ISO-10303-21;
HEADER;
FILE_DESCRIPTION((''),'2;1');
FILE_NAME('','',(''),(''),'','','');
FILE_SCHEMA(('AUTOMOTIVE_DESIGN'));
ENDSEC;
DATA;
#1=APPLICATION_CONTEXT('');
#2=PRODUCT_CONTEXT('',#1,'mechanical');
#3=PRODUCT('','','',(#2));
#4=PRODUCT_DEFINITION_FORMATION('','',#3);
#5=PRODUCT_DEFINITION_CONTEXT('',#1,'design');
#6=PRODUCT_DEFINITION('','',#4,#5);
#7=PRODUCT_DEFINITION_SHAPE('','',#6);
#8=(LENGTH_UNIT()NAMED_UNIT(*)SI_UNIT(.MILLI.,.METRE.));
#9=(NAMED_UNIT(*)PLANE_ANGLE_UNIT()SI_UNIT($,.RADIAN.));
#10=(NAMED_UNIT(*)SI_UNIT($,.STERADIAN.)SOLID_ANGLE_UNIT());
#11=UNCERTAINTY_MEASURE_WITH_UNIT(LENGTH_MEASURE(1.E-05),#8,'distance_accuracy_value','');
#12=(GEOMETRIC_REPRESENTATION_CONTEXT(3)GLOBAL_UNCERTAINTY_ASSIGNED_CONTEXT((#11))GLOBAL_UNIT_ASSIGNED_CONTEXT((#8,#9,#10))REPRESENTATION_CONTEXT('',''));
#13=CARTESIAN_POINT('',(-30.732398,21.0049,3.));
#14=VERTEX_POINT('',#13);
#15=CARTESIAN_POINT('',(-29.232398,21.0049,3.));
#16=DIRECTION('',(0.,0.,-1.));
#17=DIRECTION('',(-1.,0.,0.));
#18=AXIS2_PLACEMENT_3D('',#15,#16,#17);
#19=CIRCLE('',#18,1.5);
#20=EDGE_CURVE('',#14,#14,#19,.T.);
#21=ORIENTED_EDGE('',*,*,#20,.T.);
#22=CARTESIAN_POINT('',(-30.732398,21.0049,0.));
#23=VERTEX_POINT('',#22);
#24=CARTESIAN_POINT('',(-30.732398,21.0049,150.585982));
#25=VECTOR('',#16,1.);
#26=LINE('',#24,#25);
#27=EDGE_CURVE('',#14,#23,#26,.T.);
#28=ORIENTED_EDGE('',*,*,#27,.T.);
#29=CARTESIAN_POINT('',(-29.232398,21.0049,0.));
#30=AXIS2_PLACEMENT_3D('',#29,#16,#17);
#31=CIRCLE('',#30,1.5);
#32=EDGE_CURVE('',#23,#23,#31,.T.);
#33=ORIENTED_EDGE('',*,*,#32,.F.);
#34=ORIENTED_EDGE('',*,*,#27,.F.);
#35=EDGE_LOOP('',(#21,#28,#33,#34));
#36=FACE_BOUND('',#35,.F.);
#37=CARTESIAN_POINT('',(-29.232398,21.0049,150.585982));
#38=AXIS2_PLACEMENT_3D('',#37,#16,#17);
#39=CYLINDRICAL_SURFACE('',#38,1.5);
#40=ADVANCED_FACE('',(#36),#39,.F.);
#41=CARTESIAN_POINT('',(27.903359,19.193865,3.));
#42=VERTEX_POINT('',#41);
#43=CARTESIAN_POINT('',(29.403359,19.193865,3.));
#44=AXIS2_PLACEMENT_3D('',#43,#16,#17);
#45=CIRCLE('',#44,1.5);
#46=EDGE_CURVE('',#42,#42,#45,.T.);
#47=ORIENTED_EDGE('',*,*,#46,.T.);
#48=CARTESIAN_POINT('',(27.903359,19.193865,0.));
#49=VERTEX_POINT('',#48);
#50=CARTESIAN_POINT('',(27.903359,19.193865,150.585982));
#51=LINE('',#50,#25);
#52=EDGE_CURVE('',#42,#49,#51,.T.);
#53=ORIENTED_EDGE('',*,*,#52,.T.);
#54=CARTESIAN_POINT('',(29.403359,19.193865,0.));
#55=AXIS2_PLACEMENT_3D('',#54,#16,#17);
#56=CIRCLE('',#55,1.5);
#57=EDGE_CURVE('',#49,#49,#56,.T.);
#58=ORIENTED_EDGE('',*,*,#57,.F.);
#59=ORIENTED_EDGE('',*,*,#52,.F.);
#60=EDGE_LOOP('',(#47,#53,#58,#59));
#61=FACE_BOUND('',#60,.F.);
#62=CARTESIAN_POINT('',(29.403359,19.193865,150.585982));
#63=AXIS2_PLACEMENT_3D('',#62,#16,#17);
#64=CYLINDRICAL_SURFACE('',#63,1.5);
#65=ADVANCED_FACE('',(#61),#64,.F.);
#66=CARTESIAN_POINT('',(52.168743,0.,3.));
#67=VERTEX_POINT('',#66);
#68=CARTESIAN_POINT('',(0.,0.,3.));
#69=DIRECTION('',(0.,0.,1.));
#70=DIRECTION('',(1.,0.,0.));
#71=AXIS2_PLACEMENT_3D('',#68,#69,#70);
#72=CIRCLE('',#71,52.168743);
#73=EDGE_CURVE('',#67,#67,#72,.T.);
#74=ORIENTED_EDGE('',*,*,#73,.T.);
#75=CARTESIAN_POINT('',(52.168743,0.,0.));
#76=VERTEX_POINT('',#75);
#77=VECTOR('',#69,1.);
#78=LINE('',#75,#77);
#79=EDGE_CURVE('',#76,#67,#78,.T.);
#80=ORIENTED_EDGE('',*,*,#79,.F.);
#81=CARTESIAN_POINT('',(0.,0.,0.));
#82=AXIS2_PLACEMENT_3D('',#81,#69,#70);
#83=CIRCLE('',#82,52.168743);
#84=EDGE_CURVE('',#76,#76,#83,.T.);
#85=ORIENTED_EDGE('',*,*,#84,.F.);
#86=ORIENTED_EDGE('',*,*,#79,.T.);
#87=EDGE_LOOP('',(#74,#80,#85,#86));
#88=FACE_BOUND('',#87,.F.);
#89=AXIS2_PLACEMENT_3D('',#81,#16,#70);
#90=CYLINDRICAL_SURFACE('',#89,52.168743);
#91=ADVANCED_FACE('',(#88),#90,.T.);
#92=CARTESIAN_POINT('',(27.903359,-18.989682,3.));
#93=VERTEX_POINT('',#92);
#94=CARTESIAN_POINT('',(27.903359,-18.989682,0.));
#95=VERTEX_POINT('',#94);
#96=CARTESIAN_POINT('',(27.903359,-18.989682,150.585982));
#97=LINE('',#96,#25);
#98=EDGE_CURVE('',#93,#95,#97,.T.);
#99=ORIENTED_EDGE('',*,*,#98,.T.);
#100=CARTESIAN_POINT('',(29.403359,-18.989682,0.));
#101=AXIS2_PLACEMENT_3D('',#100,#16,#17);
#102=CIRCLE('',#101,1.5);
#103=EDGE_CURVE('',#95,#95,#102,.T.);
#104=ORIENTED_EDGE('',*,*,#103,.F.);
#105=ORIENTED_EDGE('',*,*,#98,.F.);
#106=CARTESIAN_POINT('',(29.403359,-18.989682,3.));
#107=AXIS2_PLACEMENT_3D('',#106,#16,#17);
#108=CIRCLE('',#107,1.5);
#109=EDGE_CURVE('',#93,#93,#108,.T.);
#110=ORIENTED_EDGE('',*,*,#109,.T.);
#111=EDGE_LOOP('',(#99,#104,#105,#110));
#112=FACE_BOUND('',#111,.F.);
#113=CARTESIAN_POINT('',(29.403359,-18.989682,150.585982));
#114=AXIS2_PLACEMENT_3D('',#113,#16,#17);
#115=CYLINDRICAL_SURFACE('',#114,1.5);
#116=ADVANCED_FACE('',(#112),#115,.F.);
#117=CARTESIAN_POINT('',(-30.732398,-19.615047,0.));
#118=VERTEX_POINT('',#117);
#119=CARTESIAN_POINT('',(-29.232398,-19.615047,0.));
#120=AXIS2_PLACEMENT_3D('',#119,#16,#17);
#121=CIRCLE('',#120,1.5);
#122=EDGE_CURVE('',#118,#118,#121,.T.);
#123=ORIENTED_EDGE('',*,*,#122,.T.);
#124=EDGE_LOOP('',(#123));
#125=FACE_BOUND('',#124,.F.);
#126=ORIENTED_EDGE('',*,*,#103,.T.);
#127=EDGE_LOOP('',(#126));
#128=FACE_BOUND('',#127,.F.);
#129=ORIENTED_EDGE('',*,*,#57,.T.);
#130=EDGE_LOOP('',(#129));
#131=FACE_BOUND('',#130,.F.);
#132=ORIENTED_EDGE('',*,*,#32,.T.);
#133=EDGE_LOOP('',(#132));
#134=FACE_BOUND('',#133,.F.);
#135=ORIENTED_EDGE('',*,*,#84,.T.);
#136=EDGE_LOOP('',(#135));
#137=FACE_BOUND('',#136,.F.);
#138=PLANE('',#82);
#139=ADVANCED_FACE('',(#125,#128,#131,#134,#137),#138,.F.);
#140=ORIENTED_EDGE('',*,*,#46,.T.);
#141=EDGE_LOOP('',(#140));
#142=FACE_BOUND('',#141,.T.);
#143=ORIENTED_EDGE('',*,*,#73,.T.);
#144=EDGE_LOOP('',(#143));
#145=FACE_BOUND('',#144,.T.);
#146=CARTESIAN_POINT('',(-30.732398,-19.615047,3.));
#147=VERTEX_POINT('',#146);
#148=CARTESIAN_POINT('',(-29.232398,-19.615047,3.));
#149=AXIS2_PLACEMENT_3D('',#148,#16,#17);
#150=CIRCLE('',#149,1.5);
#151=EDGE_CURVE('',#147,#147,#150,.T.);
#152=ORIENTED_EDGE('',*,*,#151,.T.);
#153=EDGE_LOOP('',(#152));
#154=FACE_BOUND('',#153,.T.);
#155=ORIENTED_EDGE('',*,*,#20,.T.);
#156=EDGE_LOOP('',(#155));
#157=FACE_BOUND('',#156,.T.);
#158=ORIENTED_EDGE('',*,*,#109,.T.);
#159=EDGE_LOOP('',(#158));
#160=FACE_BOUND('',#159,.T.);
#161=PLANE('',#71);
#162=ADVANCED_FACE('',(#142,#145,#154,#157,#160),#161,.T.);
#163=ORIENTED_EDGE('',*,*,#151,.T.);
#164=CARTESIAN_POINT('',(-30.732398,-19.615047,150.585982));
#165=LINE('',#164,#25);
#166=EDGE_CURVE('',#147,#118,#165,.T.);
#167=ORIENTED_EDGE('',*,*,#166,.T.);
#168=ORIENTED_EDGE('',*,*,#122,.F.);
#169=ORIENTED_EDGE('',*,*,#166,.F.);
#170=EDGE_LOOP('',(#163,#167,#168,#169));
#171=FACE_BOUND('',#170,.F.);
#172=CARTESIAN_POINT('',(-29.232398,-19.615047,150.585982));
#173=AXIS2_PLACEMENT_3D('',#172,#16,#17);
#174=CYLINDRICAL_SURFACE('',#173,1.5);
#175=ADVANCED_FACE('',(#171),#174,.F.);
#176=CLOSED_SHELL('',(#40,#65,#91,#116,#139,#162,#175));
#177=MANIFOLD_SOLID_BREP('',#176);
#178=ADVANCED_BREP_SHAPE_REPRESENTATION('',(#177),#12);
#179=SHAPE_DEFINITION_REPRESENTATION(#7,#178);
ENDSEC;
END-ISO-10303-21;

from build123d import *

# Parameters (mm, degrees)
F0_R     = 52.168743
F1_DEPTH = 3
F3_D     = 3
F7_D     = 3


with BuildPart() as f1:
    # F0 (on Top) → F1 (new body)
    with BuildSketch(Plane.XY):
        Circle(F0_R)
    extrude(amount=F1_DEPTH)

    # F3 (through all)
    with Locations(Plane(origin=(0, 0, 0), x_dir=(1, 0, 0), z_dir=(0, 0, -1))):
        with Locations((-14.456525, -16.74062), (9.536847, -16.74062)):
            Hole(F3_D / 2)

    # F4: F1 across plane


with BuildPart() as f1_1:
    add(f1.part)
    add(f1.part.mirror(Plane.XZ))

    # F7 (through all)
    with Locations(Plane.XY.offset(3)):
        with Locations((-29.232398, 21.0049), (-29.232398, -19.615047), (29.403359, 19.193865), (29.403359, -18.989682)):
            Hole(F7_D / 2)


solid = f1_1.part
